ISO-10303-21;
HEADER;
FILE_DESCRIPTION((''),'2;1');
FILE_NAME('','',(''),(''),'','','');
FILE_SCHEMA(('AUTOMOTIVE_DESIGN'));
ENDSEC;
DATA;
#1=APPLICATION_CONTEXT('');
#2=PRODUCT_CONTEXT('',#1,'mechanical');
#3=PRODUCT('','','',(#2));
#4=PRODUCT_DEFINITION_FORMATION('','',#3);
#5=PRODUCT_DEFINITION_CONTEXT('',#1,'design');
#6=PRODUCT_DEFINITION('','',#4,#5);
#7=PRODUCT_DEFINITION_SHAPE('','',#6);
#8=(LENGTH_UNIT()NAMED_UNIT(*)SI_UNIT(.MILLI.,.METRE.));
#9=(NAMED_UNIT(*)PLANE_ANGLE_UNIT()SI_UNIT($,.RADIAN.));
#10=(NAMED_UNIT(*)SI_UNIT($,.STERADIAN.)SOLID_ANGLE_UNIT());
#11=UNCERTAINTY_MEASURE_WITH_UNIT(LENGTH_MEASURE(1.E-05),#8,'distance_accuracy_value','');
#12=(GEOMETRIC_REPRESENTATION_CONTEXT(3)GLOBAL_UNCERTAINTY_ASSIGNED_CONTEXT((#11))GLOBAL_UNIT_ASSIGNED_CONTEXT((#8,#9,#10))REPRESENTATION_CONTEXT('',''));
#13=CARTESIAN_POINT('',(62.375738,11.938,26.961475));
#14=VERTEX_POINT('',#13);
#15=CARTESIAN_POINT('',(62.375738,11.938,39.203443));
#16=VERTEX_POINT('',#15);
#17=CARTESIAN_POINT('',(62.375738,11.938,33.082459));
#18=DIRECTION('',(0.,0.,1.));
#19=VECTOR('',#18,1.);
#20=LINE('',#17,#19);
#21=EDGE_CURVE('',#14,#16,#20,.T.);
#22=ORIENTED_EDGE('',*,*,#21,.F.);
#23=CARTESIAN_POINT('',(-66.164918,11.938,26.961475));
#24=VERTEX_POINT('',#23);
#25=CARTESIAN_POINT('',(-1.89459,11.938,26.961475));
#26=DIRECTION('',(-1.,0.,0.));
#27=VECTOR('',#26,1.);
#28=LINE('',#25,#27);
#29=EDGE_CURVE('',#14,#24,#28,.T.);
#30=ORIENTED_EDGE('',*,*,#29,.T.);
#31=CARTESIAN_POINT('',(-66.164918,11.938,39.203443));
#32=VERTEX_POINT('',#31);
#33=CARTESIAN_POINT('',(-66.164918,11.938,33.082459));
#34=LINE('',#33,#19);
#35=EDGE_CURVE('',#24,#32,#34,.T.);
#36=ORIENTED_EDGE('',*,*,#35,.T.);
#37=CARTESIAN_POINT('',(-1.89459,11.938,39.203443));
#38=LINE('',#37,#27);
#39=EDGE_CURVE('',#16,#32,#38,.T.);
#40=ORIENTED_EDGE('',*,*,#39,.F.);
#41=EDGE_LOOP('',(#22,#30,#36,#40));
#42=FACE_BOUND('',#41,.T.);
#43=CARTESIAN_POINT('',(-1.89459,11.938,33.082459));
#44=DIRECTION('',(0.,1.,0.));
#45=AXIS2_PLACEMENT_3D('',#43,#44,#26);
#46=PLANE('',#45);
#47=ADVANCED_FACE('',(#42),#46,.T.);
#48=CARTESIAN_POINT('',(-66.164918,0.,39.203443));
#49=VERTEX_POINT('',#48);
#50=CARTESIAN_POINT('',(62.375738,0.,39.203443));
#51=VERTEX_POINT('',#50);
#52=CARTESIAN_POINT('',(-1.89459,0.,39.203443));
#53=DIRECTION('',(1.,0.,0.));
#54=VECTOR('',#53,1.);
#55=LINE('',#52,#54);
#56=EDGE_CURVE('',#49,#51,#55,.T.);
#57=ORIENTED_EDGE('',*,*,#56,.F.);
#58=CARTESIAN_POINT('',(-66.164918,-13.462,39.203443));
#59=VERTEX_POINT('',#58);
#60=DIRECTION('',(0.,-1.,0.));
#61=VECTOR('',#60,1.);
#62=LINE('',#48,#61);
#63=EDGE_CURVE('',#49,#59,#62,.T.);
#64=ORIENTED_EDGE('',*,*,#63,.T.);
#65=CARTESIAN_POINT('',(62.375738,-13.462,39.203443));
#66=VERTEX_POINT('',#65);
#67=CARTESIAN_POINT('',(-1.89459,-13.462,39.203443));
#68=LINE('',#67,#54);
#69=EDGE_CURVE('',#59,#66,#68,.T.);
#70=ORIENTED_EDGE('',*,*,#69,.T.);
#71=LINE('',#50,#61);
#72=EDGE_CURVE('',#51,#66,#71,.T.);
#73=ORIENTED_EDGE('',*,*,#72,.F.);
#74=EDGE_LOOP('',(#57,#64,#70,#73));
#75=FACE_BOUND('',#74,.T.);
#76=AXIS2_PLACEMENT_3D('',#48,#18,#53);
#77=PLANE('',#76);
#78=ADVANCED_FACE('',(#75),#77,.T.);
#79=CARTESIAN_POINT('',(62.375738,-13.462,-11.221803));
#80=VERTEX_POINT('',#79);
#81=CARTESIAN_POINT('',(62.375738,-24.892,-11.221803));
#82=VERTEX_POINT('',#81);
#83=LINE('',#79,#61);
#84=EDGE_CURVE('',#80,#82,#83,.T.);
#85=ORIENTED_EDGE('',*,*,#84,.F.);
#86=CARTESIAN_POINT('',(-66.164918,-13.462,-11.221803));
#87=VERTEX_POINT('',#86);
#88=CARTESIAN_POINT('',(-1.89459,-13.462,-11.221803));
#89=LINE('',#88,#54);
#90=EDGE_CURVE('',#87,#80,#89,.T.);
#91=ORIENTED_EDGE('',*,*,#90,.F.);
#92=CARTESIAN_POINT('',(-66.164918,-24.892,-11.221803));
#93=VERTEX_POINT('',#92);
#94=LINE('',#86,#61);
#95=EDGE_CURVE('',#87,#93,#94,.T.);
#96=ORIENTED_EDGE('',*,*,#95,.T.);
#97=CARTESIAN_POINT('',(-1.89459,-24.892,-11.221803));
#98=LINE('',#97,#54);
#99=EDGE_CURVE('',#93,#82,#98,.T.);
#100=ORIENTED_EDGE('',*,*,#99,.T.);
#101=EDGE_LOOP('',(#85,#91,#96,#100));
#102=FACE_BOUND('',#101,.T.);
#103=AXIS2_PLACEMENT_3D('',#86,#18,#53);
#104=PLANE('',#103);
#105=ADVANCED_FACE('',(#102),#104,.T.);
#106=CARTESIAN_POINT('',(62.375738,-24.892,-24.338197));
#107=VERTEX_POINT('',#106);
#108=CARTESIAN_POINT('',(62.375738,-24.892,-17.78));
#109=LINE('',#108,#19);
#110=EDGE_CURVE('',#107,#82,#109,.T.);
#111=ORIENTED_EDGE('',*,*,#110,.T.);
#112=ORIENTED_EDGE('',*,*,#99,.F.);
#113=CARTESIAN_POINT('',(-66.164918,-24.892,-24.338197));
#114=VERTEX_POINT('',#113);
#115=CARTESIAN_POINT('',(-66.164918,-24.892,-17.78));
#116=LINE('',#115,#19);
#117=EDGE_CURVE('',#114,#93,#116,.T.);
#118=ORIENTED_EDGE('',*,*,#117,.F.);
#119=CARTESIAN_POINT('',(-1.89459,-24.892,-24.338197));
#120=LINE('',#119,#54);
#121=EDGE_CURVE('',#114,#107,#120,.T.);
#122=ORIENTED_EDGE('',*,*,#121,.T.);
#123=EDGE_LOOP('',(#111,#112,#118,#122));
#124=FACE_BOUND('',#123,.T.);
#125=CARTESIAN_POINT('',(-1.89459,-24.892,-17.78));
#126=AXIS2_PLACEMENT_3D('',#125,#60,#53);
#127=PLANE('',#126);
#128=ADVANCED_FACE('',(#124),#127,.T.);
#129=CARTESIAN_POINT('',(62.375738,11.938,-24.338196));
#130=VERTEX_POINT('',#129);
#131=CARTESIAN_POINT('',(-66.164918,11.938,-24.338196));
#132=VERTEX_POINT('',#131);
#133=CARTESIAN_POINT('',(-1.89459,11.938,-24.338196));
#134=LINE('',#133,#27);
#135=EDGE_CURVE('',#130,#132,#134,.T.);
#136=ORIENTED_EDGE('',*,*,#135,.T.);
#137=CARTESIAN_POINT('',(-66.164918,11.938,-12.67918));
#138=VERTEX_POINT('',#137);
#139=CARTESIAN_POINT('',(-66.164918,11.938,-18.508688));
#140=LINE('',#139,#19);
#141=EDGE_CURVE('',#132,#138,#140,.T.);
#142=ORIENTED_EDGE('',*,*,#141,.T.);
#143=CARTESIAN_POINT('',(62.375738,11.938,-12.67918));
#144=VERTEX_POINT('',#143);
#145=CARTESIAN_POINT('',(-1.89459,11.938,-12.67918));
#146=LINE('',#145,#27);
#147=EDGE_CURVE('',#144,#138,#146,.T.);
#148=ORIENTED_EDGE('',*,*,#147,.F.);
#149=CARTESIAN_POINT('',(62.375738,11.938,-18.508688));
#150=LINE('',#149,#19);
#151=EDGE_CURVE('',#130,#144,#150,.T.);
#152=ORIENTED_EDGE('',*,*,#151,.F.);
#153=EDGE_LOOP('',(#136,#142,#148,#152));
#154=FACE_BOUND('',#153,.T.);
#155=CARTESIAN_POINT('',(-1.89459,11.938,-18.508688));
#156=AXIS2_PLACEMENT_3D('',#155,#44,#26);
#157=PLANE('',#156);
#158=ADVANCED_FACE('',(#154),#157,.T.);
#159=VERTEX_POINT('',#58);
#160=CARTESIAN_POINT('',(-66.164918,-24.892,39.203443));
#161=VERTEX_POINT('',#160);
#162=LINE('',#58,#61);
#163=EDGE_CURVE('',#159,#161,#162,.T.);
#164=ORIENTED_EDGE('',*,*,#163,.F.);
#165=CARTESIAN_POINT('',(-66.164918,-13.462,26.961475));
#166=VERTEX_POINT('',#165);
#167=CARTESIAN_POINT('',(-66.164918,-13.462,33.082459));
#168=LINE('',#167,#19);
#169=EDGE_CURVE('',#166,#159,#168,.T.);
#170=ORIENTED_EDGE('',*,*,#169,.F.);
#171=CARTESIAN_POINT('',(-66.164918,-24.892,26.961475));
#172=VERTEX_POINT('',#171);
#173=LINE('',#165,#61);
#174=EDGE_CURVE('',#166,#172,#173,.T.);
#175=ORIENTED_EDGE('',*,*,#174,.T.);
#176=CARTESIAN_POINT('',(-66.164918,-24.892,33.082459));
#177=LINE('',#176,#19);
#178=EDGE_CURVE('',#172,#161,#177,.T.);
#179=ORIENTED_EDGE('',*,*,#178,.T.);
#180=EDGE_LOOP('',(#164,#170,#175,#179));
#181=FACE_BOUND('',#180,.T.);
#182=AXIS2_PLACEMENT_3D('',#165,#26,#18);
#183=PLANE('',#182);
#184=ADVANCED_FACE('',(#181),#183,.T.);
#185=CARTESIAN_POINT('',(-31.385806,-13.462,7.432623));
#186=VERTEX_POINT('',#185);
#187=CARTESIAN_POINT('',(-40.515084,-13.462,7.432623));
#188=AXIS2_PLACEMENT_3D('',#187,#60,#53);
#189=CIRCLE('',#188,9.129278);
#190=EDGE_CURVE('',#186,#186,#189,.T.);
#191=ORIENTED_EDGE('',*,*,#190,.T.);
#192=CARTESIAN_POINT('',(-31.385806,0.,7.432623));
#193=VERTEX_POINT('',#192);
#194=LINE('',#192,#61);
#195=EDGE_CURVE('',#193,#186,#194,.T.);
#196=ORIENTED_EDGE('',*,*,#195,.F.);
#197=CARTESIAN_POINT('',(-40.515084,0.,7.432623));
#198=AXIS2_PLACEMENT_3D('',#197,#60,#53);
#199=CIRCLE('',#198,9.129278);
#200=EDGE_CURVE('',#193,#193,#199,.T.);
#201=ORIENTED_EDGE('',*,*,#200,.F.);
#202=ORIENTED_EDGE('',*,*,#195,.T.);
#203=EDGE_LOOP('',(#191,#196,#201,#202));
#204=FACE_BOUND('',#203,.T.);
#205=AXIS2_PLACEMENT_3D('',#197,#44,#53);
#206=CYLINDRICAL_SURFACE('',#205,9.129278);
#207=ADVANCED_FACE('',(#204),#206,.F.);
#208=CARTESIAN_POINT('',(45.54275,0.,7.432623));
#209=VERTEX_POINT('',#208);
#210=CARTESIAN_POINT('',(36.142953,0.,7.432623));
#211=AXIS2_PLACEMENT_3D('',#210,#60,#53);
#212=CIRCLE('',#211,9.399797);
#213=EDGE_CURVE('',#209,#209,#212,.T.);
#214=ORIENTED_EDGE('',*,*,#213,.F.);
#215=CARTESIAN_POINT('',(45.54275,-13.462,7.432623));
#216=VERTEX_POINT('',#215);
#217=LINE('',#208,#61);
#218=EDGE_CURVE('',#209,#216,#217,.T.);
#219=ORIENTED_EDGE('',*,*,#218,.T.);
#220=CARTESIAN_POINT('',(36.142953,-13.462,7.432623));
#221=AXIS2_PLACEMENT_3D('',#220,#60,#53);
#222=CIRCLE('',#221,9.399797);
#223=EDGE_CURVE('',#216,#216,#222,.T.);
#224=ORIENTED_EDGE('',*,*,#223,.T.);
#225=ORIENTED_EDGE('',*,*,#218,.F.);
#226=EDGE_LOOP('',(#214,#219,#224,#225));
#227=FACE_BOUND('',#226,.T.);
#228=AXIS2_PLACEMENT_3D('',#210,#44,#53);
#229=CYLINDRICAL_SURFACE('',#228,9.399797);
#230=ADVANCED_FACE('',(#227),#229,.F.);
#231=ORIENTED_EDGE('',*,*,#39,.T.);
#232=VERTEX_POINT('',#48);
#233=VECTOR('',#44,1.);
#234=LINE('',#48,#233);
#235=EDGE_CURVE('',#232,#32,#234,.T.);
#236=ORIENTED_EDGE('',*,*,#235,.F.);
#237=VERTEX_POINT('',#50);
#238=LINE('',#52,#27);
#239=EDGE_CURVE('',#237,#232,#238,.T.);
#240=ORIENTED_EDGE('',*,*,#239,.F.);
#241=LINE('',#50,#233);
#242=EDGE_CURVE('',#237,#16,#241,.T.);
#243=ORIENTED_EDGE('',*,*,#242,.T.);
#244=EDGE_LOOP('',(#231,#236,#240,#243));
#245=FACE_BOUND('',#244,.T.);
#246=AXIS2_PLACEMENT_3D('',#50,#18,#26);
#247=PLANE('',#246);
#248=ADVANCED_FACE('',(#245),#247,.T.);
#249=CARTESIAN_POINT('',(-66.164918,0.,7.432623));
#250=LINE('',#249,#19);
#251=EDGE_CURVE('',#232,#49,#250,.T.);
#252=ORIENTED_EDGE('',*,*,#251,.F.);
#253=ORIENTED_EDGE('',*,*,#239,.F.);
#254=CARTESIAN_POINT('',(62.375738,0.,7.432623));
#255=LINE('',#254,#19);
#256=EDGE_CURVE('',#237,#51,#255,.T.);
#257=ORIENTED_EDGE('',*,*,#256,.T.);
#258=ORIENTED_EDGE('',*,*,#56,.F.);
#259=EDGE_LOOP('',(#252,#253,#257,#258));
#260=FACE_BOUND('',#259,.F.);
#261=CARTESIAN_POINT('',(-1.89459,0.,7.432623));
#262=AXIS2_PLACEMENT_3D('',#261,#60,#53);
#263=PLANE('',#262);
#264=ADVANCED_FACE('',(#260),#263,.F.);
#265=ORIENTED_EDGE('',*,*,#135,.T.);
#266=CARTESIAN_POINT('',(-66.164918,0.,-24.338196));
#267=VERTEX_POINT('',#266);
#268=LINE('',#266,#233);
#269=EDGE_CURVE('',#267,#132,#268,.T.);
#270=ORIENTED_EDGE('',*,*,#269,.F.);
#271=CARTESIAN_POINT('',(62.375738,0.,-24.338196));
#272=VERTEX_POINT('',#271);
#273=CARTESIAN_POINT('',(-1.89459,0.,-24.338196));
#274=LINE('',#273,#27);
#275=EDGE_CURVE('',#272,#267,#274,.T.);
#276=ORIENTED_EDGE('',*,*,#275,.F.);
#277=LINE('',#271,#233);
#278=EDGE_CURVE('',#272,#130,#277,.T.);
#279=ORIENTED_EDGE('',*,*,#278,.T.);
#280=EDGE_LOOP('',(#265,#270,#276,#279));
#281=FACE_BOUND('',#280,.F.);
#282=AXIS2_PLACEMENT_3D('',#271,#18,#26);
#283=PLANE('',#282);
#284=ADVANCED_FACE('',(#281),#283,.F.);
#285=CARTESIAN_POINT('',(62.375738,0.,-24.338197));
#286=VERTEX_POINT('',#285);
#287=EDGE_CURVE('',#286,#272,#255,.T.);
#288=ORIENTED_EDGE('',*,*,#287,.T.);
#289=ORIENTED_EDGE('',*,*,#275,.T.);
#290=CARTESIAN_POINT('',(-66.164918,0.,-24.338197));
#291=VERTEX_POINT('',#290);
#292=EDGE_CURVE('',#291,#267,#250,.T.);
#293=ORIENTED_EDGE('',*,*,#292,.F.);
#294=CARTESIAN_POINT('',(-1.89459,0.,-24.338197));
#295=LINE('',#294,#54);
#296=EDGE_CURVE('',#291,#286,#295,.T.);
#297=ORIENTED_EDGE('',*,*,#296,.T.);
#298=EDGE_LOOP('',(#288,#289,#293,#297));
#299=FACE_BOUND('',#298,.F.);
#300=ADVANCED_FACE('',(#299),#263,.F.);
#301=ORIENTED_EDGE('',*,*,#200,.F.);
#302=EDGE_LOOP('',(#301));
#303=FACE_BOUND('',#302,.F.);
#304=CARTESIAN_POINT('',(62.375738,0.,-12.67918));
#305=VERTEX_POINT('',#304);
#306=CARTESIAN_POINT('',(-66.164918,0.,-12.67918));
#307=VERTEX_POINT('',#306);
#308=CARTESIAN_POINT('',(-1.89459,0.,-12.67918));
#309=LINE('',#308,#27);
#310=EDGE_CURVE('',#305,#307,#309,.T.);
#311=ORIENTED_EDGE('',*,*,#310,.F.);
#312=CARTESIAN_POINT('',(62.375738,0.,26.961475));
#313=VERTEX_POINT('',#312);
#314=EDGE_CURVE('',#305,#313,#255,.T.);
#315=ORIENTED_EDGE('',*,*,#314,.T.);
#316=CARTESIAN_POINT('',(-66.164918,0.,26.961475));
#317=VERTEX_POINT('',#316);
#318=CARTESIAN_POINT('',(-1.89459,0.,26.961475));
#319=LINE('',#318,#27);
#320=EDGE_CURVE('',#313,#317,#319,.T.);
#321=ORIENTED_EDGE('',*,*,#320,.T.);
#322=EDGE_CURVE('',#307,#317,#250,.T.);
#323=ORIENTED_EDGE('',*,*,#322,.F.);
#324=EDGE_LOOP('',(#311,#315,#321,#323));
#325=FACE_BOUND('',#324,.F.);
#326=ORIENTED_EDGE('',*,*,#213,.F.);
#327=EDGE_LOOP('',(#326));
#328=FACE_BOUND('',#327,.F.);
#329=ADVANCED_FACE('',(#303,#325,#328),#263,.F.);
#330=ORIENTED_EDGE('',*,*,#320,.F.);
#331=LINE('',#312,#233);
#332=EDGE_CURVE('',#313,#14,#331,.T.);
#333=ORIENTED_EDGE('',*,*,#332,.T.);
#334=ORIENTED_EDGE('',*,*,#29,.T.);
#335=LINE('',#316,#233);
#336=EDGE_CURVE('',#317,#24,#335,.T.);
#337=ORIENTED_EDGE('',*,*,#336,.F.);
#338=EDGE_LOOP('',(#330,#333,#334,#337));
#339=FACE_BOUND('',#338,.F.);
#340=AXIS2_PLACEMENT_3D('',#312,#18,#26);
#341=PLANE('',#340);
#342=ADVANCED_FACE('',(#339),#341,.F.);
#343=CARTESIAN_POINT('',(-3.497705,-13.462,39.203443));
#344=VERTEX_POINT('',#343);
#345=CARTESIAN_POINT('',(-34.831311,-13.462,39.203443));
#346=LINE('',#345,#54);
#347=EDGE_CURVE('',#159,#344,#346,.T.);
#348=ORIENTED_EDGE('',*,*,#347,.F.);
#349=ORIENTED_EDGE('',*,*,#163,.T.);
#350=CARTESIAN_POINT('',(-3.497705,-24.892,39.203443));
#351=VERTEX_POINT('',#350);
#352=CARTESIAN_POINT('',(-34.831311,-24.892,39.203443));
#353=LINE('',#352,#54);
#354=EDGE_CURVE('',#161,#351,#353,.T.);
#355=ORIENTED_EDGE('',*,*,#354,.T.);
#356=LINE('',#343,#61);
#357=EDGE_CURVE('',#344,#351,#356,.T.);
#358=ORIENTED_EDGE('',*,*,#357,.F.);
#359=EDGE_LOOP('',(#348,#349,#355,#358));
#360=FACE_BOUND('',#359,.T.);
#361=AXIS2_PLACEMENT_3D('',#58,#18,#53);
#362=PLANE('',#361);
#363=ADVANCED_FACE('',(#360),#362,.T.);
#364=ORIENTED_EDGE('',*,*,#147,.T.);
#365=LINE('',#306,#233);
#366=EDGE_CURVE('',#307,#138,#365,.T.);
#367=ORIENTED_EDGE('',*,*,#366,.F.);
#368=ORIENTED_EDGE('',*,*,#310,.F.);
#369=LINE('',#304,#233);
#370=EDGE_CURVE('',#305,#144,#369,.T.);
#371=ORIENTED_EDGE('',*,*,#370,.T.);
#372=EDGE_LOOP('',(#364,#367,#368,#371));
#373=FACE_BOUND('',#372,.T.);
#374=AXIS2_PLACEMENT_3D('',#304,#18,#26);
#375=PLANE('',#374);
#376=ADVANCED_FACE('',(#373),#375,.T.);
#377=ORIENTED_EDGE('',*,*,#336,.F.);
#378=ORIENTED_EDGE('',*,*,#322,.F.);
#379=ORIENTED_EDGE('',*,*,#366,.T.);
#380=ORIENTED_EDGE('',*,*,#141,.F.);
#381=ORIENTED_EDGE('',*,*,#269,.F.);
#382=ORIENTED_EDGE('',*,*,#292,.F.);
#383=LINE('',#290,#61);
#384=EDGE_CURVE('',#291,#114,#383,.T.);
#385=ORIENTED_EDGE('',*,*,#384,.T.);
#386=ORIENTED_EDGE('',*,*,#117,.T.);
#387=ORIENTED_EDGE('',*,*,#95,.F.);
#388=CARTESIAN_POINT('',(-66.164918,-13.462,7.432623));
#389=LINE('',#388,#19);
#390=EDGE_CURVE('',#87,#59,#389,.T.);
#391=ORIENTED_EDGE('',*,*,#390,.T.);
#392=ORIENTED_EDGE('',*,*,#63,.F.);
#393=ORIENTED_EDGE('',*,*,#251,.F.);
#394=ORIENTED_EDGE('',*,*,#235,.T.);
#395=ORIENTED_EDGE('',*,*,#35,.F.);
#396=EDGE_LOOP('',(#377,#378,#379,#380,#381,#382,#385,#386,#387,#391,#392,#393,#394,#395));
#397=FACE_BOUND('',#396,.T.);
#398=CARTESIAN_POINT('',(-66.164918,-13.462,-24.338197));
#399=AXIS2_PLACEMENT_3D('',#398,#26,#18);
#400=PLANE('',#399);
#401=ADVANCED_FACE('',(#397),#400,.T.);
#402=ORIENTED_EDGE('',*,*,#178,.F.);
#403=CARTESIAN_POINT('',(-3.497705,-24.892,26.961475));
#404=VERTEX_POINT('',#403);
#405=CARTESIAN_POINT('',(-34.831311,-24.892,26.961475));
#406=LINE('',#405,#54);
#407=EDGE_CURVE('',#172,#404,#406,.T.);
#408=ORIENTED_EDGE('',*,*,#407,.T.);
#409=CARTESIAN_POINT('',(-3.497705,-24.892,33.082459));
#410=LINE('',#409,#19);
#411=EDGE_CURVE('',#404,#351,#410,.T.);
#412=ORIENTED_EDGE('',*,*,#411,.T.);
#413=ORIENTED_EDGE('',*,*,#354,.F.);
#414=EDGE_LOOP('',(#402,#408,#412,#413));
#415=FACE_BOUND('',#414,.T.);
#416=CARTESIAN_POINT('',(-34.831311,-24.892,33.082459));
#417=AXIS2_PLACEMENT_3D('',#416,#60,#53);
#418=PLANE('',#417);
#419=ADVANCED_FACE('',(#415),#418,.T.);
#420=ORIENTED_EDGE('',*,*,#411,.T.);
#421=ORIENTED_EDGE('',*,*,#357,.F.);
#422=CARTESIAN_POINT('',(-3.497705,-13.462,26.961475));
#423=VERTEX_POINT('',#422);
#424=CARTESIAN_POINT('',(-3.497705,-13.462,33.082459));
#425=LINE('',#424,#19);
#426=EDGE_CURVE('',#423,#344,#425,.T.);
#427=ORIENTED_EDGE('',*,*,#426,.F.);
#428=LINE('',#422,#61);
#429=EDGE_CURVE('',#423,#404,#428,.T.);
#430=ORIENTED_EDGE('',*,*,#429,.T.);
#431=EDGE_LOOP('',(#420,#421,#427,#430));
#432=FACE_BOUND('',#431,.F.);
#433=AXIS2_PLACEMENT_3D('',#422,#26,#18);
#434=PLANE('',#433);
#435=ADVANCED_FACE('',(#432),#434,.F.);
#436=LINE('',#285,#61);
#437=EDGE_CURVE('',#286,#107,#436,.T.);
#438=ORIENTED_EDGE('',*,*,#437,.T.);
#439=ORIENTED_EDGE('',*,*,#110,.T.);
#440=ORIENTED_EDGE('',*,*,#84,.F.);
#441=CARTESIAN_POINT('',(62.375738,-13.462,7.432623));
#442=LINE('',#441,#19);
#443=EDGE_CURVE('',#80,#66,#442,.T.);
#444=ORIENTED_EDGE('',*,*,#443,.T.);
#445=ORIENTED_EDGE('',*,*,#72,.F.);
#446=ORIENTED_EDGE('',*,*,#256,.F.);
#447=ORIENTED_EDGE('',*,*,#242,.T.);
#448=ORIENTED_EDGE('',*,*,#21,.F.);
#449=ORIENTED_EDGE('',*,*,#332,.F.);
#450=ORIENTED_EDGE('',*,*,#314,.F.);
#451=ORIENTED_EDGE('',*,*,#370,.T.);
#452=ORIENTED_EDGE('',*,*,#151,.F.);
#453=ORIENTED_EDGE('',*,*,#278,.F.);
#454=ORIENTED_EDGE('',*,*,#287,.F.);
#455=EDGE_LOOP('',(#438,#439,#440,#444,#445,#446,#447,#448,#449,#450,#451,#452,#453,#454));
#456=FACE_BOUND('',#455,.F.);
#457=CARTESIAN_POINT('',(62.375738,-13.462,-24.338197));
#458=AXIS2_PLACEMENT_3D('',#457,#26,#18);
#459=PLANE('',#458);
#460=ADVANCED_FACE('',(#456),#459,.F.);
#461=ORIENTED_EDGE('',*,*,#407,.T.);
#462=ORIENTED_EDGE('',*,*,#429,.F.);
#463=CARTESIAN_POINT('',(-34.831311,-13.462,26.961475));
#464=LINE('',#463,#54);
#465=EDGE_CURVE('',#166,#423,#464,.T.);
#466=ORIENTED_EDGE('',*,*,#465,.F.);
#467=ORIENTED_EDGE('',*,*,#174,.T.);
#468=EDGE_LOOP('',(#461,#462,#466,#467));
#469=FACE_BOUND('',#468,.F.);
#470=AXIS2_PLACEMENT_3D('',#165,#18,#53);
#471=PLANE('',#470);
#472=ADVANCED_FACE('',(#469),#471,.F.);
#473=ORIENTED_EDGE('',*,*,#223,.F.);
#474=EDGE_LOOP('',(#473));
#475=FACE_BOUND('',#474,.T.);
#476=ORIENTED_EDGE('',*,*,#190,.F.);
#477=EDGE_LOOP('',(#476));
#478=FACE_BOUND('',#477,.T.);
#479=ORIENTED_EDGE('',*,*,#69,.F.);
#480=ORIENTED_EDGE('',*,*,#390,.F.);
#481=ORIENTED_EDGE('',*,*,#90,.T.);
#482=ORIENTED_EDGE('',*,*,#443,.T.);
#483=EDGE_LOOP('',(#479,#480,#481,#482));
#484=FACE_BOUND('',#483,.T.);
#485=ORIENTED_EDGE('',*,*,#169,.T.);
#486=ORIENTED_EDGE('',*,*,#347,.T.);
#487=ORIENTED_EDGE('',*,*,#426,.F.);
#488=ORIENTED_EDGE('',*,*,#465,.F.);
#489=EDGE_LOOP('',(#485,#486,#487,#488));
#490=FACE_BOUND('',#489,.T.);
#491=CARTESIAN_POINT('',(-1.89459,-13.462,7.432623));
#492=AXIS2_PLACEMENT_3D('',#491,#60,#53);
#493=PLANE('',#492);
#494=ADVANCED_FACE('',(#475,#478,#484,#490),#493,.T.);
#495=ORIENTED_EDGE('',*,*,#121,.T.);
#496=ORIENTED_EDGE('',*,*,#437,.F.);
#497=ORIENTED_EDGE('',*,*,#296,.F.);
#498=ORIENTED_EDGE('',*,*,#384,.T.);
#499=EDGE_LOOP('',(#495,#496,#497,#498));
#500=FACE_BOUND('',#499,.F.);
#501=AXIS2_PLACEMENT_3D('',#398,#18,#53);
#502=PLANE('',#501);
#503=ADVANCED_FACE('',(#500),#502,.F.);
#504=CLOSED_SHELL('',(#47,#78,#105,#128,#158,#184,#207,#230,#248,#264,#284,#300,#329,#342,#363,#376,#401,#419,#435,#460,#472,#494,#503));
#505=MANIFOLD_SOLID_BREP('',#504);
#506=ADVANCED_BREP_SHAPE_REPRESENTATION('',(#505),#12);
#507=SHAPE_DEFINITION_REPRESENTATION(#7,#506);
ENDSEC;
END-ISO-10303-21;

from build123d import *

# Parameters (mm, degrees)
F0_W     = 128.540657
F0_H     = 63.54164
F0_R     = 9.129278
F0_R_2   = 9.399797
F1_DEPTH = 13.462
F2_W     = 62.667213
F2_H     = 12.241967
F2_W_2   = 128.540657
F2_H_2   = 13.116394
F3_DEPTH = 11.43
F4_W     = 128.540657
F4_H     = 12.241967
F4_H_2   = 11.659017
F5_DEPTH = 11.938


with BuildPart() as f1:
    # F0 (on Front) → F1 (new body)
    with BuildSketch(Plane.XZ):
        with Locations((-1.89459, 7.432623)):
            Rectangle(F0_W, F0_H)
        with Locations((-40.515084, 7.432623)):
            Circle(F0_R, mode=Mode.SUBTRACT)
        with Locations((36.142953, 7.432623)):
            Circle(F0_R_2, mode=Mode.SUBTRACT)
    extrude(amount=F1_DEPTH)

    # F2 (on face) → F3 (join)
    with BuildSketch(Plane.XZ.offset(13.462)):
        with Locations((-34.831311, 33.082459)):
            Rectangle(F2_W, F2_H)
        with Locations((-1.89459, -17.78)):
            Rectangle(F2_W_2, F2_H_2)
    extrude(amount=F3_DEPTH)

    # F4 (on face) → F5 (join)
    with BuildSketch(Plane(origin=(0, 0, 0), x_dir=(-1, 0, 0), z_dir=(0, 1, 0))):
        with Locations((1.89459, 33.082459)):
            Rectangle(F4_W, F4_H)
        with Locations((1.89459, -18.508688)):
            Rectangle(F4_W, F4_H_2)
    extrude(amount=F5_DEPTH)


solid = f1.part
